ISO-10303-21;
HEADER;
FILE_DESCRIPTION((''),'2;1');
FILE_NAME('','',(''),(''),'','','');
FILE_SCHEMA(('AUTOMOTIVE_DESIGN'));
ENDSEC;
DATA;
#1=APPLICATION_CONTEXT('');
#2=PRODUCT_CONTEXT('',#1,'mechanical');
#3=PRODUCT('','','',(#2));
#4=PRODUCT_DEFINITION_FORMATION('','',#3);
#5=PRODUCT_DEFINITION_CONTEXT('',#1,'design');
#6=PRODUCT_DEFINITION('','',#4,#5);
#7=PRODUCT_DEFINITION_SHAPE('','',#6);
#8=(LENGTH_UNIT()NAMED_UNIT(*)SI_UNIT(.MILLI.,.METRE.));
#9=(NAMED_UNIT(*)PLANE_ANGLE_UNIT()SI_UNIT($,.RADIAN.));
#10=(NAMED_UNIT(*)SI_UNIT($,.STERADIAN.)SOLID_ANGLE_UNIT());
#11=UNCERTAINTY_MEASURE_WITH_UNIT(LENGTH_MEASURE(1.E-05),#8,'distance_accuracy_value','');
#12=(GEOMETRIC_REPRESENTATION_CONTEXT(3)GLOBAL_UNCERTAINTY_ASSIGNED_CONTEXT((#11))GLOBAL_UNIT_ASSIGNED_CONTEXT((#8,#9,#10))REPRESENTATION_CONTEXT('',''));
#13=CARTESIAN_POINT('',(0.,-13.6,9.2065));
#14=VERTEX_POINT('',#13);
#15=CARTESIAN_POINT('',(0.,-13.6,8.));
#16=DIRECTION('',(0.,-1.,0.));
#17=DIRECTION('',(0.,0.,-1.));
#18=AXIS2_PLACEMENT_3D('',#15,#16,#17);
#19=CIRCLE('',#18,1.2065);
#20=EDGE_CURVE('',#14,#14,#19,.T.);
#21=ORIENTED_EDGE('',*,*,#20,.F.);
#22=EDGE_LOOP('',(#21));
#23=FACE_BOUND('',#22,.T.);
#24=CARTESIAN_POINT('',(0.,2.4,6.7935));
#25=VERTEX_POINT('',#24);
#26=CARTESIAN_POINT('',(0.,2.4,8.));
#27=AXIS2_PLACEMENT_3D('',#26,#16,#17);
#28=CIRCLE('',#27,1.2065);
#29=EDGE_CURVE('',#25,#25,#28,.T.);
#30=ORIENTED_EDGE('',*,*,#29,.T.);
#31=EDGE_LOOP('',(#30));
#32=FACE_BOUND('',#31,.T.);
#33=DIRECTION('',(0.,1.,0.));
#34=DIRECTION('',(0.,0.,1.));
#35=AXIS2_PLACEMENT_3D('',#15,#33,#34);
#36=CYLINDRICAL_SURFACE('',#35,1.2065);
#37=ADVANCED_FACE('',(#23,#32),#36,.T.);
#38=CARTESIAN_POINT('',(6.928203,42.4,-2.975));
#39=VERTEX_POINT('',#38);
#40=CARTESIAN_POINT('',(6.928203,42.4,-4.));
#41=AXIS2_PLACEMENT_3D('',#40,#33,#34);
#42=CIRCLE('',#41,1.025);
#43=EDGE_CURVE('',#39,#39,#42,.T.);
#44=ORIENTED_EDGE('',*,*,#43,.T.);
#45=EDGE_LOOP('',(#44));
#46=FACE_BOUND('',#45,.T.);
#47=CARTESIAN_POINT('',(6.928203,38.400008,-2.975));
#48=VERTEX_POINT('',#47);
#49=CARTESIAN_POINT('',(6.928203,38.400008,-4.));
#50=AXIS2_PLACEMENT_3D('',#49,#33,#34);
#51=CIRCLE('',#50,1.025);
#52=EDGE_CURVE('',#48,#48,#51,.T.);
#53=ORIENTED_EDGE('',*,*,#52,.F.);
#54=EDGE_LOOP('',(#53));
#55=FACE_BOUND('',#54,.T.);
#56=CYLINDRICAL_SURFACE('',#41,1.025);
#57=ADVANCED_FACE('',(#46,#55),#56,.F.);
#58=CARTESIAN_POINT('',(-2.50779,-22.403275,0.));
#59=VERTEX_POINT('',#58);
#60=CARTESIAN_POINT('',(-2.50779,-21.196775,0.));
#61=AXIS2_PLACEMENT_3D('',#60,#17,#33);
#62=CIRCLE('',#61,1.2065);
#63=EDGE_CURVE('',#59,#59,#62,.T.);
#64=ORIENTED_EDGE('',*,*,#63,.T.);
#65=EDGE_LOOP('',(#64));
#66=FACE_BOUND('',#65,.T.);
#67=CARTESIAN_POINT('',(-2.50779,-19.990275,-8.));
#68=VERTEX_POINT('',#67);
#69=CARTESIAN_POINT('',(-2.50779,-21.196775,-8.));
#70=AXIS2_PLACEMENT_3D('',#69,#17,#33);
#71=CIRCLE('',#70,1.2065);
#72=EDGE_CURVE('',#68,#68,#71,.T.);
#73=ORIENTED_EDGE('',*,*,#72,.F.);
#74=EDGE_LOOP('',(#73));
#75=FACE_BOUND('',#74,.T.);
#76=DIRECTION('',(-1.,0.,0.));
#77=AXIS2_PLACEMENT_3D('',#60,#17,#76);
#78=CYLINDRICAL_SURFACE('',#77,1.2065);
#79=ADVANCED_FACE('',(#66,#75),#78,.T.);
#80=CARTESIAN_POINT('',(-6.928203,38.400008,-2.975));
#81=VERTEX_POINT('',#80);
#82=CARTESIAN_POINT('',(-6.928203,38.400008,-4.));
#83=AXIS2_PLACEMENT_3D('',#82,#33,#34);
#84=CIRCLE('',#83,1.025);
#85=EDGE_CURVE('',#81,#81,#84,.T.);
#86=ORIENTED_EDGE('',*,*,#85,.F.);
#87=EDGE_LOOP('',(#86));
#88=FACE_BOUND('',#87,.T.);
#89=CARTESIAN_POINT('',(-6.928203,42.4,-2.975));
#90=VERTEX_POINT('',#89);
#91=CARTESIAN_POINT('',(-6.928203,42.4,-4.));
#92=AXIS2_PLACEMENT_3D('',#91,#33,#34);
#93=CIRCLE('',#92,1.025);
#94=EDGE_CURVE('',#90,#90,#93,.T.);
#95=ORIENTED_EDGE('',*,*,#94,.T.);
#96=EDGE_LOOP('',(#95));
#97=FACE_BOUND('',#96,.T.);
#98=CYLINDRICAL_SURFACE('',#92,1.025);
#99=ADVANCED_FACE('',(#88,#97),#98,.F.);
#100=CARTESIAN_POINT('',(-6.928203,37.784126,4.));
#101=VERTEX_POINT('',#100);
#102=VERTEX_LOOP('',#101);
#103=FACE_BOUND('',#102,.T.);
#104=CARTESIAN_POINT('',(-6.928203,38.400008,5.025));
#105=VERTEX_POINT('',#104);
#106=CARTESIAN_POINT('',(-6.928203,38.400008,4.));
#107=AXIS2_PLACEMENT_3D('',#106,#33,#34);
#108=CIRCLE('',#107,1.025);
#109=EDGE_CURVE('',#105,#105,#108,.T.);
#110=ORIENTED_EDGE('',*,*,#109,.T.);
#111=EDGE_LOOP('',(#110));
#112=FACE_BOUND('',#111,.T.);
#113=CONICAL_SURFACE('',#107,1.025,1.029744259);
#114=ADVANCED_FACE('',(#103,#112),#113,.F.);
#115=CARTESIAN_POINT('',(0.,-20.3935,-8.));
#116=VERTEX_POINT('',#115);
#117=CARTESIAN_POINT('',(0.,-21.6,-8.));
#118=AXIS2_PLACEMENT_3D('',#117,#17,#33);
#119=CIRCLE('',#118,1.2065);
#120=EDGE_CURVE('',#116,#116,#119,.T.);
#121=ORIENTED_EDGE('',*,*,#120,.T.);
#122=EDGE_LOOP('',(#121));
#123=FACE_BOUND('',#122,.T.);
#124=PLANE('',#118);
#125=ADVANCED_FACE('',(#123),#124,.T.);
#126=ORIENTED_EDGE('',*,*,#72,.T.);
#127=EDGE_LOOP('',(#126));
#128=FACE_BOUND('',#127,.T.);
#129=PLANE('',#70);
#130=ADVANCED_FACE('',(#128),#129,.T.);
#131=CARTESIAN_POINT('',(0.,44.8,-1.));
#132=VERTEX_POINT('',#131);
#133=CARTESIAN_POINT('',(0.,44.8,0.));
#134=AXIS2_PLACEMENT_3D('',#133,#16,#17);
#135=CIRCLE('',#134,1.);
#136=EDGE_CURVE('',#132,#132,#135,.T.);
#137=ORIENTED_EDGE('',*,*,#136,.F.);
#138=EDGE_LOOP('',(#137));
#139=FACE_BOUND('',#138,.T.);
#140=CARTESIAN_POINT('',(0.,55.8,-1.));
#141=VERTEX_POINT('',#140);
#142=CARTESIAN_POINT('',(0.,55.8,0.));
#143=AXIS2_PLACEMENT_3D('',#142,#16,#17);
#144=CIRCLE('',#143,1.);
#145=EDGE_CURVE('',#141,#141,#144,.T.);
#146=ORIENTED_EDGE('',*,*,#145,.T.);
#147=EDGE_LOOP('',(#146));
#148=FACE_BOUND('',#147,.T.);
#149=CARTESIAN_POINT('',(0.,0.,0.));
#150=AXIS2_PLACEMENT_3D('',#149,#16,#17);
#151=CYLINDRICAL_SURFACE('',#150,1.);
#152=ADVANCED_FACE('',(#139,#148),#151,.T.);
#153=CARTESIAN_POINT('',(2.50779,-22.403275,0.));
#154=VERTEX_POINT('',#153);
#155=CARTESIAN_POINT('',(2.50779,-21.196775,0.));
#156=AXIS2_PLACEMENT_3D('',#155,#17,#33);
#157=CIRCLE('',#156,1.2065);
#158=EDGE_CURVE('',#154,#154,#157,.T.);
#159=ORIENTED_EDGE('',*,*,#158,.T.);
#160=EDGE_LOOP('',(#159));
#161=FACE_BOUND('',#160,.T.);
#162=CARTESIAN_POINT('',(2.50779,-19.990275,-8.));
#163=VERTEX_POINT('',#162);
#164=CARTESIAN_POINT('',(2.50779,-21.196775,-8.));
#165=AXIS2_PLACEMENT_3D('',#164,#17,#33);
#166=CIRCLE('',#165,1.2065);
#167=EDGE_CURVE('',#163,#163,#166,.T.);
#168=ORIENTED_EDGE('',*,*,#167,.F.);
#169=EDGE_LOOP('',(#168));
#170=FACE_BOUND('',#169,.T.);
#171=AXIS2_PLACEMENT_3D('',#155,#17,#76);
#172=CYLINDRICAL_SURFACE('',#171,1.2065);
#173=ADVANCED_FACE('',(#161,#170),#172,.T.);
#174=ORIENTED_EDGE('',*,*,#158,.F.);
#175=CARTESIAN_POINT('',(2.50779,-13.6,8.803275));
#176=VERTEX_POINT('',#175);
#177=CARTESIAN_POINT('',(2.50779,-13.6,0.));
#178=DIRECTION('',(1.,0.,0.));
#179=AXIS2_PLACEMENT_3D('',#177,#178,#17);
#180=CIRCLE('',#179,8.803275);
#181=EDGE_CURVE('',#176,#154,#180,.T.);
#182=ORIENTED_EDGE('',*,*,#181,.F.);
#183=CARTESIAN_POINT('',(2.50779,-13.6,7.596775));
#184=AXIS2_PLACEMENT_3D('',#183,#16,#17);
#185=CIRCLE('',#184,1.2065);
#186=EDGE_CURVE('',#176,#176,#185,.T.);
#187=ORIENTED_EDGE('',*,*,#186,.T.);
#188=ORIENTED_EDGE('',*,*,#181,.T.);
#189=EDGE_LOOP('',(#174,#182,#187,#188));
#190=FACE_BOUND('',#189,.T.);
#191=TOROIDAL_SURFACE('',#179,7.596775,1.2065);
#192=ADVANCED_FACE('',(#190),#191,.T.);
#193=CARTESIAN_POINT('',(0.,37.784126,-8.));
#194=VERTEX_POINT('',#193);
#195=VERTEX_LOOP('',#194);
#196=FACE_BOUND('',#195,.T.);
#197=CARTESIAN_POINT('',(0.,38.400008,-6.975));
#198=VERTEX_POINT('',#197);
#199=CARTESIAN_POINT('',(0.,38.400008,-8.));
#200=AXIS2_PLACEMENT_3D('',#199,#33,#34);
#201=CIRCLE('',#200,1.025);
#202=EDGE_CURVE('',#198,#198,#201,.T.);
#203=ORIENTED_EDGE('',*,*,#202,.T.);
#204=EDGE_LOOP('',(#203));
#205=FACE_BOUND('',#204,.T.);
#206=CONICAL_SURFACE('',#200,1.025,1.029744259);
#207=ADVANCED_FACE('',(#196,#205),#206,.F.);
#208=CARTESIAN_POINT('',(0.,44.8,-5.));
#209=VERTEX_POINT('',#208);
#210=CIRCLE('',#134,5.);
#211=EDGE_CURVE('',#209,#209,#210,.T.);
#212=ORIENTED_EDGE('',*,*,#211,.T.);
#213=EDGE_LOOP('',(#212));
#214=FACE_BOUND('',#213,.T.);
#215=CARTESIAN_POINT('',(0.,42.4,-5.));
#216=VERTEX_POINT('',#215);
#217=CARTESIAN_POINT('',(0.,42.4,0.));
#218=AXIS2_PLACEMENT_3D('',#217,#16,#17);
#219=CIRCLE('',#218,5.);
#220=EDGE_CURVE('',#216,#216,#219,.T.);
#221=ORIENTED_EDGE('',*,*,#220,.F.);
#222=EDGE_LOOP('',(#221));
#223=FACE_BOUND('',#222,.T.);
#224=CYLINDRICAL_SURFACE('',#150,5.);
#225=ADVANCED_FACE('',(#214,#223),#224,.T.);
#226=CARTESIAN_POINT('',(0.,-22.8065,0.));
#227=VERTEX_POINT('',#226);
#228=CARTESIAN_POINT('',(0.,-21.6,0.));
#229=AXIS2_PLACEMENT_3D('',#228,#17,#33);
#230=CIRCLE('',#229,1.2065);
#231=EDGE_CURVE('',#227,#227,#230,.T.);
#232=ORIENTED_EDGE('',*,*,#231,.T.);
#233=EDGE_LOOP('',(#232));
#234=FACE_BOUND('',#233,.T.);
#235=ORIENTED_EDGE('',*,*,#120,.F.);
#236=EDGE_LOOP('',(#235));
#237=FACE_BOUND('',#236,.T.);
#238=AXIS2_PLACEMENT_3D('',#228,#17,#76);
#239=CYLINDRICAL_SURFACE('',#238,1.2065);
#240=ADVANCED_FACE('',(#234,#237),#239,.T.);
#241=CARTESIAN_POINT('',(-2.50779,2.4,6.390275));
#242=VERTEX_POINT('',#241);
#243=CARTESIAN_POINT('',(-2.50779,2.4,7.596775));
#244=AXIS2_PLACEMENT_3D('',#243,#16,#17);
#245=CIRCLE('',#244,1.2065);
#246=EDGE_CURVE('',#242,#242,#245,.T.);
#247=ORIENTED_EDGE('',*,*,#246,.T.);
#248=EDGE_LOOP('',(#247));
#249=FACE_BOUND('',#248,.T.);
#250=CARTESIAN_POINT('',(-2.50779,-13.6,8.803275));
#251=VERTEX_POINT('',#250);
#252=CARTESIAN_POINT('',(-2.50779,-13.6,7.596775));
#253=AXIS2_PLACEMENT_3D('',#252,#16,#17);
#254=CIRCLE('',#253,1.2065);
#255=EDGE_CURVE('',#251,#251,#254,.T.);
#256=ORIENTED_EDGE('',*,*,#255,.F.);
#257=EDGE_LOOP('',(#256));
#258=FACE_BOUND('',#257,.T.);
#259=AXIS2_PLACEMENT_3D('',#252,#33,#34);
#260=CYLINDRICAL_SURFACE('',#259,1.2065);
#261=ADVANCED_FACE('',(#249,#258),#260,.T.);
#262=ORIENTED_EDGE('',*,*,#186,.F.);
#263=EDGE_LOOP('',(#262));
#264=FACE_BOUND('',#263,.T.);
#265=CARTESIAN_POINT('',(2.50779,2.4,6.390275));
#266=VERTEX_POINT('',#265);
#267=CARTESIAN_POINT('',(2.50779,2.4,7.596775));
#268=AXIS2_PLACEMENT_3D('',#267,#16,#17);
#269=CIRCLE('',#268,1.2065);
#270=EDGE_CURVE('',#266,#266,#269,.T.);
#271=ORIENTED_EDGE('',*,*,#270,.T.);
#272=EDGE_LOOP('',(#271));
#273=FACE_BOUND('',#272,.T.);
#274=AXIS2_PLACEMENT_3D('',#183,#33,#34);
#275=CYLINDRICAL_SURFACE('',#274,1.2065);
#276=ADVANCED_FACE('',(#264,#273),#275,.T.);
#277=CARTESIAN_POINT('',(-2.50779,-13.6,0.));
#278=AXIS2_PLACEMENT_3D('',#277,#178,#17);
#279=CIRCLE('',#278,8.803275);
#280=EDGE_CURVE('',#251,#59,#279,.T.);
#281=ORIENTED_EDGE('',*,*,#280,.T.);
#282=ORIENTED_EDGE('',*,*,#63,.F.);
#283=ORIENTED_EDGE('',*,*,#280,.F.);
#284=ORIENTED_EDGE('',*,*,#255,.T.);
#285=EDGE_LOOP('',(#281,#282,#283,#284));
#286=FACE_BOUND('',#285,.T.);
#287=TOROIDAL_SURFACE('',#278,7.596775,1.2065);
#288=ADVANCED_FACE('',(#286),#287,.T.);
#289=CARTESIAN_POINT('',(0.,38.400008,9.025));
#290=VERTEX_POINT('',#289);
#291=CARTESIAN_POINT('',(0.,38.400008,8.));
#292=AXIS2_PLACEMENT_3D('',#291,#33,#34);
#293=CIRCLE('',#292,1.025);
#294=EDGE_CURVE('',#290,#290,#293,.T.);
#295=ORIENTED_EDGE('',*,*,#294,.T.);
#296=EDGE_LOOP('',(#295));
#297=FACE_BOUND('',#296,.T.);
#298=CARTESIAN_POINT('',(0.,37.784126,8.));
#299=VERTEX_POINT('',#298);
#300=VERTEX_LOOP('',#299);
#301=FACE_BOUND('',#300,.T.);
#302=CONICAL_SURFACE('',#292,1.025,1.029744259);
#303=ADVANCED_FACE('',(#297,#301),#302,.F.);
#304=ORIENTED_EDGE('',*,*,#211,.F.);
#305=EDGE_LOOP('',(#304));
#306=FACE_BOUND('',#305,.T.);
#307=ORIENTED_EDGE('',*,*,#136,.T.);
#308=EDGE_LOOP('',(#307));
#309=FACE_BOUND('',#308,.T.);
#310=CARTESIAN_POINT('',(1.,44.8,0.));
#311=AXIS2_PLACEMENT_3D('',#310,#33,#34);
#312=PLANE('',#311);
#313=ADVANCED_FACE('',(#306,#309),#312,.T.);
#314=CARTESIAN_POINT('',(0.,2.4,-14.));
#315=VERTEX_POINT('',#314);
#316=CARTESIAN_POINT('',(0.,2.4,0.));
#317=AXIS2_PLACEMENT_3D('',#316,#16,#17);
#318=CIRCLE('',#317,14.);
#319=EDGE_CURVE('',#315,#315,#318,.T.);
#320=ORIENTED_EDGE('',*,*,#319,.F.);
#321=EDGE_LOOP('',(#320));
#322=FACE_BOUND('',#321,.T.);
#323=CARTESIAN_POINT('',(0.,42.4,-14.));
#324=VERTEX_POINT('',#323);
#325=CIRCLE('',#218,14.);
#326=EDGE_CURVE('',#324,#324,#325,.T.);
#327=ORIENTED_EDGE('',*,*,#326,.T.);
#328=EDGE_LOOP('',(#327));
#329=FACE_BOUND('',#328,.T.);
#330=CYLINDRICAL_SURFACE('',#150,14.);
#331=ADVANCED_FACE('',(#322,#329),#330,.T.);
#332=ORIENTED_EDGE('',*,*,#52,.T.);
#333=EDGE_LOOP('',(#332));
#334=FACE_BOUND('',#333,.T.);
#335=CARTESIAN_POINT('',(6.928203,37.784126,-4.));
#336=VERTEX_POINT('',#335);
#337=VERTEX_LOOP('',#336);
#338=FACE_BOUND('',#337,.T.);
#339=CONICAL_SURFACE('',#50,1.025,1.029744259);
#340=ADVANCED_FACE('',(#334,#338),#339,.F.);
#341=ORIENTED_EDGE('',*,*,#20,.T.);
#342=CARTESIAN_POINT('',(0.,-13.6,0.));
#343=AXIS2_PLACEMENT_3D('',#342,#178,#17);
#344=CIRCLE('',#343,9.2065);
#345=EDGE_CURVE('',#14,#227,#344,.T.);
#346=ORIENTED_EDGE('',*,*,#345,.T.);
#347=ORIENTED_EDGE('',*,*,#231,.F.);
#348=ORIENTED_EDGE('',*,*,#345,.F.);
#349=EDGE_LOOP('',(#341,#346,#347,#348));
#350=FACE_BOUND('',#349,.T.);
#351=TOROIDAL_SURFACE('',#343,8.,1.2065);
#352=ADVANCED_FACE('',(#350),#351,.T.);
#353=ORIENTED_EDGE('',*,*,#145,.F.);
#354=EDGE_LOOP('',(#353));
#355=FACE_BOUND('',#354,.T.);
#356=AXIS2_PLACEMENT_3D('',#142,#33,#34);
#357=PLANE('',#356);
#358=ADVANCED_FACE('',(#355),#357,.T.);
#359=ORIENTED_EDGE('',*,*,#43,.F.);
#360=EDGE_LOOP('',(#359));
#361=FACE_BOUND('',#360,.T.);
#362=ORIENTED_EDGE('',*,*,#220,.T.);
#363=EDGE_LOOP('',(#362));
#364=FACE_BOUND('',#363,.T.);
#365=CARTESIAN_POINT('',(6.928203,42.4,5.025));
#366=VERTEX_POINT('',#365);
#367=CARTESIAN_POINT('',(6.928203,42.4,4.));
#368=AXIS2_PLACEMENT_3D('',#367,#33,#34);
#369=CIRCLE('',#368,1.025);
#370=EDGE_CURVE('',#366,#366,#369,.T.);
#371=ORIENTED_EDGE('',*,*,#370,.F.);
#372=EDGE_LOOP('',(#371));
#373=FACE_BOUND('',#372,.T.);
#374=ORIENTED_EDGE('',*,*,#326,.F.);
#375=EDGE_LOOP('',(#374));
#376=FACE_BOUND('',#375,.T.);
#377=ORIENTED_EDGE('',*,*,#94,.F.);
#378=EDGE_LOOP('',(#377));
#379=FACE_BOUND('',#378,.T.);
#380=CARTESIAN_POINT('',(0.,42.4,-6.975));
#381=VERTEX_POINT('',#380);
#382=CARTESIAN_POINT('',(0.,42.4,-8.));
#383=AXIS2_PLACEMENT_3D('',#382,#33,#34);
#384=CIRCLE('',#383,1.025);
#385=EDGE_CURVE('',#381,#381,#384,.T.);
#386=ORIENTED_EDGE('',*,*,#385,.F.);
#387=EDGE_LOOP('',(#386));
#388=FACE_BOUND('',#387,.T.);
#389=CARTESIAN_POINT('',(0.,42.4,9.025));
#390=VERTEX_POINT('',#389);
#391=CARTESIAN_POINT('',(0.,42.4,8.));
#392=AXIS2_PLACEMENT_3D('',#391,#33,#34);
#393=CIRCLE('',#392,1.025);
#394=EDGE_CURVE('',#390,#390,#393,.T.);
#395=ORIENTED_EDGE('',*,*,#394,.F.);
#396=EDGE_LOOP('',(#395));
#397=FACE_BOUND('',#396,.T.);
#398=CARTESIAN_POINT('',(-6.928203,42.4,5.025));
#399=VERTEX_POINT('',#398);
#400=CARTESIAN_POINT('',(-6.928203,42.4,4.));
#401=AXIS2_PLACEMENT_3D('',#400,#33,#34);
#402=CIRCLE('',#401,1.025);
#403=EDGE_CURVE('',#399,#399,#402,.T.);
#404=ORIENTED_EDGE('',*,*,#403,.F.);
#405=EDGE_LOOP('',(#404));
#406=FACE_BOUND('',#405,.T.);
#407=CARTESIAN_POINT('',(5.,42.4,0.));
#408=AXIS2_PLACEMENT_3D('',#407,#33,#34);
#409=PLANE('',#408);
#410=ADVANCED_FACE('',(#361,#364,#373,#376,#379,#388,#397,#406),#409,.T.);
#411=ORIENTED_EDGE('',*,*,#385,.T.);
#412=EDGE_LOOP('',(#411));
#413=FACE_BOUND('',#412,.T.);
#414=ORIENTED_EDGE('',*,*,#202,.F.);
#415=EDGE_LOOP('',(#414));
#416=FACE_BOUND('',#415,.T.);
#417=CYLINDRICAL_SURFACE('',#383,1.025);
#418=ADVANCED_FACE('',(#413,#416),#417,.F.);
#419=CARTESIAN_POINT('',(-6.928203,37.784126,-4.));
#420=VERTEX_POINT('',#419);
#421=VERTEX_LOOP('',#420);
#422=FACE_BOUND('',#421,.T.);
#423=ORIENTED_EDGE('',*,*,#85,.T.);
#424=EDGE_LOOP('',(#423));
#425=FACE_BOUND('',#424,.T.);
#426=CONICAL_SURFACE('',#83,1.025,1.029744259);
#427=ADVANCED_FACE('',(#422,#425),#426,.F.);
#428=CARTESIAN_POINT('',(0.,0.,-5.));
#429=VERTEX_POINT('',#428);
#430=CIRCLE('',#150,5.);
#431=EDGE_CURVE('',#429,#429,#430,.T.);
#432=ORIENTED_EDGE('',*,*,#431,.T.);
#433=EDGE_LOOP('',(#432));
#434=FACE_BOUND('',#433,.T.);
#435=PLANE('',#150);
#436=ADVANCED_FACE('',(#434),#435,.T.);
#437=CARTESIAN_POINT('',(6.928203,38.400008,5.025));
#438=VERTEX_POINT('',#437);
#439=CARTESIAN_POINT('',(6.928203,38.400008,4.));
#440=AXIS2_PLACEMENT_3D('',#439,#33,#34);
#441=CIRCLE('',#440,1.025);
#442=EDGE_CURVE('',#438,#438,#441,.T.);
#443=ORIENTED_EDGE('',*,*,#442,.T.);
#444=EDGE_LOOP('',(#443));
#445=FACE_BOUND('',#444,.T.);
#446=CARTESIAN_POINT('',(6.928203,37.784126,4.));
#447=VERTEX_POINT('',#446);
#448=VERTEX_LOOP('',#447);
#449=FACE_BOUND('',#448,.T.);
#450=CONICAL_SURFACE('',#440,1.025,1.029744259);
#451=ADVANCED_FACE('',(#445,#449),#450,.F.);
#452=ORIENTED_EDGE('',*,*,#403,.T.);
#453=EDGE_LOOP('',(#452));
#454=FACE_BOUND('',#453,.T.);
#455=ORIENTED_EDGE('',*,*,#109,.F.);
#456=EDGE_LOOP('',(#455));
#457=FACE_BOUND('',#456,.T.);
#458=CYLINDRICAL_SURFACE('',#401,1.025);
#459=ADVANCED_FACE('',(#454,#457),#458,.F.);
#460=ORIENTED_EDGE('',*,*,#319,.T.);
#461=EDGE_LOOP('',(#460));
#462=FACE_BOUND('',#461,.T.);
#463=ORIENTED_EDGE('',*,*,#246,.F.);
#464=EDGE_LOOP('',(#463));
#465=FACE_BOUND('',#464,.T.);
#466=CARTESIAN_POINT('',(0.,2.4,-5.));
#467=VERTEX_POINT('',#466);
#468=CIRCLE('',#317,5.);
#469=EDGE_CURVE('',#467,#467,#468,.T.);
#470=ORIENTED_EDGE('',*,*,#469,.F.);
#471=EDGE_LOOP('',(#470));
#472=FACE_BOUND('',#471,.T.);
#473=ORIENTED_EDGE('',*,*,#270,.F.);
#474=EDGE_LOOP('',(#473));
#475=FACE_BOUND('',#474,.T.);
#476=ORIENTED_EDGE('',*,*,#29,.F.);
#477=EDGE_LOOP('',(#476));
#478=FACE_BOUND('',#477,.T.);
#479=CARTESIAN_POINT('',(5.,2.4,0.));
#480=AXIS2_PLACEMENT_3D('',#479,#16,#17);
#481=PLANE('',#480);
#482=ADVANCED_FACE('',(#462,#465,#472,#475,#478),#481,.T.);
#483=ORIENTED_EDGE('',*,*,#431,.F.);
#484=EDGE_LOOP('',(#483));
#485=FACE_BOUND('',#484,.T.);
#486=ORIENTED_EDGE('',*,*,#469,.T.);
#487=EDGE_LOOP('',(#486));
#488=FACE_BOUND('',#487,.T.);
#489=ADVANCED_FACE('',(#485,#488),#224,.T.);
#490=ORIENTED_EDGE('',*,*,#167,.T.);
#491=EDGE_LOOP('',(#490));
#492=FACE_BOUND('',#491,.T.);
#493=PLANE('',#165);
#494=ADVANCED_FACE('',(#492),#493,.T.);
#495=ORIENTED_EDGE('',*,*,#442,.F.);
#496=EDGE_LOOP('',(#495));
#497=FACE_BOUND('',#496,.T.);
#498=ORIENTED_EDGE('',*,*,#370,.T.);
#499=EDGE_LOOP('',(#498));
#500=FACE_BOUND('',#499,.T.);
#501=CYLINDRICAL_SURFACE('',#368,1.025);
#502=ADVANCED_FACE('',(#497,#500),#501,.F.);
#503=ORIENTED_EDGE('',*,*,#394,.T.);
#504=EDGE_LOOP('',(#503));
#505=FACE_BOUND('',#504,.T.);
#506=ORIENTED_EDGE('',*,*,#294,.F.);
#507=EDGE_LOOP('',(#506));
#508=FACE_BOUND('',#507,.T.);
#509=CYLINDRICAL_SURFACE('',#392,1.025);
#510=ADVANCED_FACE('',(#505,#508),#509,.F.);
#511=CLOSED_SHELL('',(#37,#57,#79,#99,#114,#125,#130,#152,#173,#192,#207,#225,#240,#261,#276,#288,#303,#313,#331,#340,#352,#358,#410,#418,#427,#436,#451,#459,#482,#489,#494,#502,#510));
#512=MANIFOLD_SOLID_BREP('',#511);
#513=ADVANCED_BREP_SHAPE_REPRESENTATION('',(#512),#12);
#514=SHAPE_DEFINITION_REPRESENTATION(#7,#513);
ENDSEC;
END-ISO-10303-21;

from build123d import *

# Parameters (mm, degrees)
CIRPATTERN1_COUNT = 6
SKETCH4_R         = 1.2065


with BuildPart() as part:
    # Sketch1 → Revolve1 (revolve)
    with BuildSketch(Plane.XY, mode=Mode.PRIVATE) as revolve1_sk:
        Polygon((0, 55.8), (1, 55.8), (1, 44.8), (5, 44.8), (5, 42.4), (14, 42.4), (14, 2.4), (5, 2.4), (5, 0), (0, 0), align=None)
    revolve(revolve1_sk.sketch.rotate(Axis((0, 0, 0), (0, 1, 0)), 90), axis=Axis((0, 0, 0), (0, 1, 0)))

    # Sketch2 → M2.5x0.45 Tapped Hole1 (revolve, cut)
    with BuildSketch(Plane(origin=(0, 42.4, -8), x_dir=(0, 0, 1), z_dir=(1, 0, 0))):
        Polygon((0, 0), (0, 4.615874135), (1.025, 3.999992), (1.025, 0), align=None)
    m2_5x0_45_tapped_hole1 = revolve(axis=Axis((0, 48.75, -8), (0, -1, 0)), mode=Mode.SUBTRACT)

    # CirPattern1: M2.5x0.45 Tapped Hole1 ×6 about axis
    cirpattern1_axis = Axis((0, 0, 0), (0, 1, 0))
    for i in range(1, CIRPATTERN1_COUNT):
        add(m2_5x0_45_tapped_hole1.rotate(cirpattern1_axis, i * 360 / CIRPATTERN1_COUNT), mode=Mode.SUBTRACT)

    # Sweep1: sweep along a path in Sketch5
    with BuildLine(Plane(origin=(0, 0, 0), x_dir=(0, 0, -1), z_dir=(1, 0, 0))) as sweep1_path:
        Line((-8, 2.4), (-8, -13.6))
        ThreePointArc((-8, -13.6), (-5.656854249, -19.256854249), (0, -21.6))
        Line((0, -21.6), (8, -21.6))
    # Sketch4 → Sweep1 (sweep)
    with BuildSketch(Plane(origin=(0, 2.4, 0), x_dir=(-1, 0, 0), z_dir=(0, -1, 0))):
        with Locations((-2.507789784, -7.596775)):
            Circle(SKETCH4_R)
        with Locations((0, -8)):
            Circle(SKETCH4_R)
        with Locations((2.507789784, -7.596775)):
            Circle(SKETCH4_R)
    sweep(path=sweep1_path.line)


solid = part.part
